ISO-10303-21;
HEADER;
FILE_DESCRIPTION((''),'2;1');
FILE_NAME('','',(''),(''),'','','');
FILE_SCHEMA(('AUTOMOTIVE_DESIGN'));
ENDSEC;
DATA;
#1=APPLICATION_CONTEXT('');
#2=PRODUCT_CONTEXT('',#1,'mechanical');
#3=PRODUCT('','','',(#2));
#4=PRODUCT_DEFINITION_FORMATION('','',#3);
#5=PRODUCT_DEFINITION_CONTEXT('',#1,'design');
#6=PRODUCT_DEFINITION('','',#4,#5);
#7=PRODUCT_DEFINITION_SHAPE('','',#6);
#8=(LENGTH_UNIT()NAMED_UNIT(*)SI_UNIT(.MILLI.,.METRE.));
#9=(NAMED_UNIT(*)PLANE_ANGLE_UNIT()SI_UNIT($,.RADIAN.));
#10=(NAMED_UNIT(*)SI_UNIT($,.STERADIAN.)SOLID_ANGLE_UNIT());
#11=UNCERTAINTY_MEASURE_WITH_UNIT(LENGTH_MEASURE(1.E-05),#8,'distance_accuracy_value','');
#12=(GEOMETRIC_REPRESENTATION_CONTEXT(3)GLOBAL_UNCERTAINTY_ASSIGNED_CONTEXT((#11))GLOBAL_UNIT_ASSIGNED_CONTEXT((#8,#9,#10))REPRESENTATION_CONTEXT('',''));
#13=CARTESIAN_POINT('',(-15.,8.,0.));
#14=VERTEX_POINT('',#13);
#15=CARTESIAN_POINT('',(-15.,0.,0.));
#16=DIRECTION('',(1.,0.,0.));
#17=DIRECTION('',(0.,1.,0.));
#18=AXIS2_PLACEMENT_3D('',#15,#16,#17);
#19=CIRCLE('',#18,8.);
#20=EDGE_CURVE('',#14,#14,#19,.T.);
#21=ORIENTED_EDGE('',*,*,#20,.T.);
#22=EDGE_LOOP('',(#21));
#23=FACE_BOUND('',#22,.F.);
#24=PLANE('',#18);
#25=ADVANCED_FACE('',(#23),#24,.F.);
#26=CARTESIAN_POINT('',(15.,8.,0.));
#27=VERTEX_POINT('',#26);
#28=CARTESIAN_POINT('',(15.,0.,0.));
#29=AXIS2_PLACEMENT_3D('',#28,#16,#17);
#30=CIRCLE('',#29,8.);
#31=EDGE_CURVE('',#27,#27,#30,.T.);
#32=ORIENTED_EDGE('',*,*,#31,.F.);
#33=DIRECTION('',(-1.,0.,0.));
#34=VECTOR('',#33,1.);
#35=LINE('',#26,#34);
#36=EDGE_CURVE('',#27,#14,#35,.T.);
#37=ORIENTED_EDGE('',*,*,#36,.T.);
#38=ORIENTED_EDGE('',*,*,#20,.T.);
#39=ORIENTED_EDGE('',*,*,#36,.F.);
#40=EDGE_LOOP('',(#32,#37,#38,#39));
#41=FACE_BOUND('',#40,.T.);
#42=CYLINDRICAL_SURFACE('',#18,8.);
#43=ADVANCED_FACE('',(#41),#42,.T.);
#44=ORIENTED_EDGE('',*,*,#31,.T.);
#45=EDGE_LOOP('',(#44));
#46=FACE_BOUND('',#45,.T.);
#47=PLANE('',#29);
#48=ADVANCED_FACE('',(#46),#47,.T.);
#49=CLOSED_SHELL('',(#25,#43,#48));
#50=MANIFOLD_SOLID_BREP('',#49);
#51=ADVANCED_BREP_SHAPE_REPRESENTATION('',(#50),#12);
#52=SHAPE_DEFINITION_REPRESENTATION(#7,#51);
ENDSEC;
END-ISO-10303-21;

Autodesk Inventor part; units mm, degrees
ref_plane "YZ Plane" through (0, 0, 0) normal (1, 0, 0) x (0, 1, 0)
ref_plane "XZ Plane" through (0, 0, 0) normal (0, 1, 0) x (-1, 0, 0)
sketch "Szkic1" plane through (0, 0, 0) normal (0, 0, 1) x (1, 0, 0)
  line L0 (15, 8) -> (15, 0)
  line L1 (-15, 0) -> (15, 0)
  line L2 (-21, 0) -> (21, 0) projected
  line L3 (0, 9.6) -> (0, -1.6) projected
  line L4 (-15, 8) -> (-15, 0)
  line L5 (0, 8) -> (0, 0) construction
  line L6 (-21, 0) -> (21, 0) projected
  line L7 (-15, 8) -> (15, 8)
  dimension "d13" = 16
  dimension "d87" = 30
  dimension "d88" = 15
revolve "Bryła" add sketch "Szkic1" angle 360 about axis through (-15, 0, 0) along (1, 0, 0)
thread "Gwint1" size "M16x2" class "6g" standard "ISO Metric profile" length 30
ref_plane "Work Plane1" through (2.75, 0, 0) normal (0, -1, 0) x (1, 0, 0)
equation "\"d13\" = NND"
equation "\"d87\" = NLG"
equation "\"d88\" = 0.5 * NLG"
equation "\"d1\" = GEL"
equation "\"NLG\" = 30"
equation "\"GEL\" = NLG"
equation "\"GAL\" = 0.61345 * PTC"
equation "\"SPD\" = 13.271"
equation "\"d0\" = NND"
equation "\"GUL\" = 0.61345 * PTC"
equation "\"NND\" = 16"
equation "\"GUL1\" = GUL"
equation "\"GAL1\" = GAL"
equation "\"d89\" = -GEL + GUL1"
equation "\"d90\" = -GUL - GEL"
equation "\"PTC\" = 2"
equation "\"THREADDIA\" = 16"
equation "\"TOA\" = 30deg"
equation "\"GD1\" = THREADDIA - 1.2269 * PTC"
properties part number "DIN 976-1 - M16 x 30 - A" material "Stal, miękka"
